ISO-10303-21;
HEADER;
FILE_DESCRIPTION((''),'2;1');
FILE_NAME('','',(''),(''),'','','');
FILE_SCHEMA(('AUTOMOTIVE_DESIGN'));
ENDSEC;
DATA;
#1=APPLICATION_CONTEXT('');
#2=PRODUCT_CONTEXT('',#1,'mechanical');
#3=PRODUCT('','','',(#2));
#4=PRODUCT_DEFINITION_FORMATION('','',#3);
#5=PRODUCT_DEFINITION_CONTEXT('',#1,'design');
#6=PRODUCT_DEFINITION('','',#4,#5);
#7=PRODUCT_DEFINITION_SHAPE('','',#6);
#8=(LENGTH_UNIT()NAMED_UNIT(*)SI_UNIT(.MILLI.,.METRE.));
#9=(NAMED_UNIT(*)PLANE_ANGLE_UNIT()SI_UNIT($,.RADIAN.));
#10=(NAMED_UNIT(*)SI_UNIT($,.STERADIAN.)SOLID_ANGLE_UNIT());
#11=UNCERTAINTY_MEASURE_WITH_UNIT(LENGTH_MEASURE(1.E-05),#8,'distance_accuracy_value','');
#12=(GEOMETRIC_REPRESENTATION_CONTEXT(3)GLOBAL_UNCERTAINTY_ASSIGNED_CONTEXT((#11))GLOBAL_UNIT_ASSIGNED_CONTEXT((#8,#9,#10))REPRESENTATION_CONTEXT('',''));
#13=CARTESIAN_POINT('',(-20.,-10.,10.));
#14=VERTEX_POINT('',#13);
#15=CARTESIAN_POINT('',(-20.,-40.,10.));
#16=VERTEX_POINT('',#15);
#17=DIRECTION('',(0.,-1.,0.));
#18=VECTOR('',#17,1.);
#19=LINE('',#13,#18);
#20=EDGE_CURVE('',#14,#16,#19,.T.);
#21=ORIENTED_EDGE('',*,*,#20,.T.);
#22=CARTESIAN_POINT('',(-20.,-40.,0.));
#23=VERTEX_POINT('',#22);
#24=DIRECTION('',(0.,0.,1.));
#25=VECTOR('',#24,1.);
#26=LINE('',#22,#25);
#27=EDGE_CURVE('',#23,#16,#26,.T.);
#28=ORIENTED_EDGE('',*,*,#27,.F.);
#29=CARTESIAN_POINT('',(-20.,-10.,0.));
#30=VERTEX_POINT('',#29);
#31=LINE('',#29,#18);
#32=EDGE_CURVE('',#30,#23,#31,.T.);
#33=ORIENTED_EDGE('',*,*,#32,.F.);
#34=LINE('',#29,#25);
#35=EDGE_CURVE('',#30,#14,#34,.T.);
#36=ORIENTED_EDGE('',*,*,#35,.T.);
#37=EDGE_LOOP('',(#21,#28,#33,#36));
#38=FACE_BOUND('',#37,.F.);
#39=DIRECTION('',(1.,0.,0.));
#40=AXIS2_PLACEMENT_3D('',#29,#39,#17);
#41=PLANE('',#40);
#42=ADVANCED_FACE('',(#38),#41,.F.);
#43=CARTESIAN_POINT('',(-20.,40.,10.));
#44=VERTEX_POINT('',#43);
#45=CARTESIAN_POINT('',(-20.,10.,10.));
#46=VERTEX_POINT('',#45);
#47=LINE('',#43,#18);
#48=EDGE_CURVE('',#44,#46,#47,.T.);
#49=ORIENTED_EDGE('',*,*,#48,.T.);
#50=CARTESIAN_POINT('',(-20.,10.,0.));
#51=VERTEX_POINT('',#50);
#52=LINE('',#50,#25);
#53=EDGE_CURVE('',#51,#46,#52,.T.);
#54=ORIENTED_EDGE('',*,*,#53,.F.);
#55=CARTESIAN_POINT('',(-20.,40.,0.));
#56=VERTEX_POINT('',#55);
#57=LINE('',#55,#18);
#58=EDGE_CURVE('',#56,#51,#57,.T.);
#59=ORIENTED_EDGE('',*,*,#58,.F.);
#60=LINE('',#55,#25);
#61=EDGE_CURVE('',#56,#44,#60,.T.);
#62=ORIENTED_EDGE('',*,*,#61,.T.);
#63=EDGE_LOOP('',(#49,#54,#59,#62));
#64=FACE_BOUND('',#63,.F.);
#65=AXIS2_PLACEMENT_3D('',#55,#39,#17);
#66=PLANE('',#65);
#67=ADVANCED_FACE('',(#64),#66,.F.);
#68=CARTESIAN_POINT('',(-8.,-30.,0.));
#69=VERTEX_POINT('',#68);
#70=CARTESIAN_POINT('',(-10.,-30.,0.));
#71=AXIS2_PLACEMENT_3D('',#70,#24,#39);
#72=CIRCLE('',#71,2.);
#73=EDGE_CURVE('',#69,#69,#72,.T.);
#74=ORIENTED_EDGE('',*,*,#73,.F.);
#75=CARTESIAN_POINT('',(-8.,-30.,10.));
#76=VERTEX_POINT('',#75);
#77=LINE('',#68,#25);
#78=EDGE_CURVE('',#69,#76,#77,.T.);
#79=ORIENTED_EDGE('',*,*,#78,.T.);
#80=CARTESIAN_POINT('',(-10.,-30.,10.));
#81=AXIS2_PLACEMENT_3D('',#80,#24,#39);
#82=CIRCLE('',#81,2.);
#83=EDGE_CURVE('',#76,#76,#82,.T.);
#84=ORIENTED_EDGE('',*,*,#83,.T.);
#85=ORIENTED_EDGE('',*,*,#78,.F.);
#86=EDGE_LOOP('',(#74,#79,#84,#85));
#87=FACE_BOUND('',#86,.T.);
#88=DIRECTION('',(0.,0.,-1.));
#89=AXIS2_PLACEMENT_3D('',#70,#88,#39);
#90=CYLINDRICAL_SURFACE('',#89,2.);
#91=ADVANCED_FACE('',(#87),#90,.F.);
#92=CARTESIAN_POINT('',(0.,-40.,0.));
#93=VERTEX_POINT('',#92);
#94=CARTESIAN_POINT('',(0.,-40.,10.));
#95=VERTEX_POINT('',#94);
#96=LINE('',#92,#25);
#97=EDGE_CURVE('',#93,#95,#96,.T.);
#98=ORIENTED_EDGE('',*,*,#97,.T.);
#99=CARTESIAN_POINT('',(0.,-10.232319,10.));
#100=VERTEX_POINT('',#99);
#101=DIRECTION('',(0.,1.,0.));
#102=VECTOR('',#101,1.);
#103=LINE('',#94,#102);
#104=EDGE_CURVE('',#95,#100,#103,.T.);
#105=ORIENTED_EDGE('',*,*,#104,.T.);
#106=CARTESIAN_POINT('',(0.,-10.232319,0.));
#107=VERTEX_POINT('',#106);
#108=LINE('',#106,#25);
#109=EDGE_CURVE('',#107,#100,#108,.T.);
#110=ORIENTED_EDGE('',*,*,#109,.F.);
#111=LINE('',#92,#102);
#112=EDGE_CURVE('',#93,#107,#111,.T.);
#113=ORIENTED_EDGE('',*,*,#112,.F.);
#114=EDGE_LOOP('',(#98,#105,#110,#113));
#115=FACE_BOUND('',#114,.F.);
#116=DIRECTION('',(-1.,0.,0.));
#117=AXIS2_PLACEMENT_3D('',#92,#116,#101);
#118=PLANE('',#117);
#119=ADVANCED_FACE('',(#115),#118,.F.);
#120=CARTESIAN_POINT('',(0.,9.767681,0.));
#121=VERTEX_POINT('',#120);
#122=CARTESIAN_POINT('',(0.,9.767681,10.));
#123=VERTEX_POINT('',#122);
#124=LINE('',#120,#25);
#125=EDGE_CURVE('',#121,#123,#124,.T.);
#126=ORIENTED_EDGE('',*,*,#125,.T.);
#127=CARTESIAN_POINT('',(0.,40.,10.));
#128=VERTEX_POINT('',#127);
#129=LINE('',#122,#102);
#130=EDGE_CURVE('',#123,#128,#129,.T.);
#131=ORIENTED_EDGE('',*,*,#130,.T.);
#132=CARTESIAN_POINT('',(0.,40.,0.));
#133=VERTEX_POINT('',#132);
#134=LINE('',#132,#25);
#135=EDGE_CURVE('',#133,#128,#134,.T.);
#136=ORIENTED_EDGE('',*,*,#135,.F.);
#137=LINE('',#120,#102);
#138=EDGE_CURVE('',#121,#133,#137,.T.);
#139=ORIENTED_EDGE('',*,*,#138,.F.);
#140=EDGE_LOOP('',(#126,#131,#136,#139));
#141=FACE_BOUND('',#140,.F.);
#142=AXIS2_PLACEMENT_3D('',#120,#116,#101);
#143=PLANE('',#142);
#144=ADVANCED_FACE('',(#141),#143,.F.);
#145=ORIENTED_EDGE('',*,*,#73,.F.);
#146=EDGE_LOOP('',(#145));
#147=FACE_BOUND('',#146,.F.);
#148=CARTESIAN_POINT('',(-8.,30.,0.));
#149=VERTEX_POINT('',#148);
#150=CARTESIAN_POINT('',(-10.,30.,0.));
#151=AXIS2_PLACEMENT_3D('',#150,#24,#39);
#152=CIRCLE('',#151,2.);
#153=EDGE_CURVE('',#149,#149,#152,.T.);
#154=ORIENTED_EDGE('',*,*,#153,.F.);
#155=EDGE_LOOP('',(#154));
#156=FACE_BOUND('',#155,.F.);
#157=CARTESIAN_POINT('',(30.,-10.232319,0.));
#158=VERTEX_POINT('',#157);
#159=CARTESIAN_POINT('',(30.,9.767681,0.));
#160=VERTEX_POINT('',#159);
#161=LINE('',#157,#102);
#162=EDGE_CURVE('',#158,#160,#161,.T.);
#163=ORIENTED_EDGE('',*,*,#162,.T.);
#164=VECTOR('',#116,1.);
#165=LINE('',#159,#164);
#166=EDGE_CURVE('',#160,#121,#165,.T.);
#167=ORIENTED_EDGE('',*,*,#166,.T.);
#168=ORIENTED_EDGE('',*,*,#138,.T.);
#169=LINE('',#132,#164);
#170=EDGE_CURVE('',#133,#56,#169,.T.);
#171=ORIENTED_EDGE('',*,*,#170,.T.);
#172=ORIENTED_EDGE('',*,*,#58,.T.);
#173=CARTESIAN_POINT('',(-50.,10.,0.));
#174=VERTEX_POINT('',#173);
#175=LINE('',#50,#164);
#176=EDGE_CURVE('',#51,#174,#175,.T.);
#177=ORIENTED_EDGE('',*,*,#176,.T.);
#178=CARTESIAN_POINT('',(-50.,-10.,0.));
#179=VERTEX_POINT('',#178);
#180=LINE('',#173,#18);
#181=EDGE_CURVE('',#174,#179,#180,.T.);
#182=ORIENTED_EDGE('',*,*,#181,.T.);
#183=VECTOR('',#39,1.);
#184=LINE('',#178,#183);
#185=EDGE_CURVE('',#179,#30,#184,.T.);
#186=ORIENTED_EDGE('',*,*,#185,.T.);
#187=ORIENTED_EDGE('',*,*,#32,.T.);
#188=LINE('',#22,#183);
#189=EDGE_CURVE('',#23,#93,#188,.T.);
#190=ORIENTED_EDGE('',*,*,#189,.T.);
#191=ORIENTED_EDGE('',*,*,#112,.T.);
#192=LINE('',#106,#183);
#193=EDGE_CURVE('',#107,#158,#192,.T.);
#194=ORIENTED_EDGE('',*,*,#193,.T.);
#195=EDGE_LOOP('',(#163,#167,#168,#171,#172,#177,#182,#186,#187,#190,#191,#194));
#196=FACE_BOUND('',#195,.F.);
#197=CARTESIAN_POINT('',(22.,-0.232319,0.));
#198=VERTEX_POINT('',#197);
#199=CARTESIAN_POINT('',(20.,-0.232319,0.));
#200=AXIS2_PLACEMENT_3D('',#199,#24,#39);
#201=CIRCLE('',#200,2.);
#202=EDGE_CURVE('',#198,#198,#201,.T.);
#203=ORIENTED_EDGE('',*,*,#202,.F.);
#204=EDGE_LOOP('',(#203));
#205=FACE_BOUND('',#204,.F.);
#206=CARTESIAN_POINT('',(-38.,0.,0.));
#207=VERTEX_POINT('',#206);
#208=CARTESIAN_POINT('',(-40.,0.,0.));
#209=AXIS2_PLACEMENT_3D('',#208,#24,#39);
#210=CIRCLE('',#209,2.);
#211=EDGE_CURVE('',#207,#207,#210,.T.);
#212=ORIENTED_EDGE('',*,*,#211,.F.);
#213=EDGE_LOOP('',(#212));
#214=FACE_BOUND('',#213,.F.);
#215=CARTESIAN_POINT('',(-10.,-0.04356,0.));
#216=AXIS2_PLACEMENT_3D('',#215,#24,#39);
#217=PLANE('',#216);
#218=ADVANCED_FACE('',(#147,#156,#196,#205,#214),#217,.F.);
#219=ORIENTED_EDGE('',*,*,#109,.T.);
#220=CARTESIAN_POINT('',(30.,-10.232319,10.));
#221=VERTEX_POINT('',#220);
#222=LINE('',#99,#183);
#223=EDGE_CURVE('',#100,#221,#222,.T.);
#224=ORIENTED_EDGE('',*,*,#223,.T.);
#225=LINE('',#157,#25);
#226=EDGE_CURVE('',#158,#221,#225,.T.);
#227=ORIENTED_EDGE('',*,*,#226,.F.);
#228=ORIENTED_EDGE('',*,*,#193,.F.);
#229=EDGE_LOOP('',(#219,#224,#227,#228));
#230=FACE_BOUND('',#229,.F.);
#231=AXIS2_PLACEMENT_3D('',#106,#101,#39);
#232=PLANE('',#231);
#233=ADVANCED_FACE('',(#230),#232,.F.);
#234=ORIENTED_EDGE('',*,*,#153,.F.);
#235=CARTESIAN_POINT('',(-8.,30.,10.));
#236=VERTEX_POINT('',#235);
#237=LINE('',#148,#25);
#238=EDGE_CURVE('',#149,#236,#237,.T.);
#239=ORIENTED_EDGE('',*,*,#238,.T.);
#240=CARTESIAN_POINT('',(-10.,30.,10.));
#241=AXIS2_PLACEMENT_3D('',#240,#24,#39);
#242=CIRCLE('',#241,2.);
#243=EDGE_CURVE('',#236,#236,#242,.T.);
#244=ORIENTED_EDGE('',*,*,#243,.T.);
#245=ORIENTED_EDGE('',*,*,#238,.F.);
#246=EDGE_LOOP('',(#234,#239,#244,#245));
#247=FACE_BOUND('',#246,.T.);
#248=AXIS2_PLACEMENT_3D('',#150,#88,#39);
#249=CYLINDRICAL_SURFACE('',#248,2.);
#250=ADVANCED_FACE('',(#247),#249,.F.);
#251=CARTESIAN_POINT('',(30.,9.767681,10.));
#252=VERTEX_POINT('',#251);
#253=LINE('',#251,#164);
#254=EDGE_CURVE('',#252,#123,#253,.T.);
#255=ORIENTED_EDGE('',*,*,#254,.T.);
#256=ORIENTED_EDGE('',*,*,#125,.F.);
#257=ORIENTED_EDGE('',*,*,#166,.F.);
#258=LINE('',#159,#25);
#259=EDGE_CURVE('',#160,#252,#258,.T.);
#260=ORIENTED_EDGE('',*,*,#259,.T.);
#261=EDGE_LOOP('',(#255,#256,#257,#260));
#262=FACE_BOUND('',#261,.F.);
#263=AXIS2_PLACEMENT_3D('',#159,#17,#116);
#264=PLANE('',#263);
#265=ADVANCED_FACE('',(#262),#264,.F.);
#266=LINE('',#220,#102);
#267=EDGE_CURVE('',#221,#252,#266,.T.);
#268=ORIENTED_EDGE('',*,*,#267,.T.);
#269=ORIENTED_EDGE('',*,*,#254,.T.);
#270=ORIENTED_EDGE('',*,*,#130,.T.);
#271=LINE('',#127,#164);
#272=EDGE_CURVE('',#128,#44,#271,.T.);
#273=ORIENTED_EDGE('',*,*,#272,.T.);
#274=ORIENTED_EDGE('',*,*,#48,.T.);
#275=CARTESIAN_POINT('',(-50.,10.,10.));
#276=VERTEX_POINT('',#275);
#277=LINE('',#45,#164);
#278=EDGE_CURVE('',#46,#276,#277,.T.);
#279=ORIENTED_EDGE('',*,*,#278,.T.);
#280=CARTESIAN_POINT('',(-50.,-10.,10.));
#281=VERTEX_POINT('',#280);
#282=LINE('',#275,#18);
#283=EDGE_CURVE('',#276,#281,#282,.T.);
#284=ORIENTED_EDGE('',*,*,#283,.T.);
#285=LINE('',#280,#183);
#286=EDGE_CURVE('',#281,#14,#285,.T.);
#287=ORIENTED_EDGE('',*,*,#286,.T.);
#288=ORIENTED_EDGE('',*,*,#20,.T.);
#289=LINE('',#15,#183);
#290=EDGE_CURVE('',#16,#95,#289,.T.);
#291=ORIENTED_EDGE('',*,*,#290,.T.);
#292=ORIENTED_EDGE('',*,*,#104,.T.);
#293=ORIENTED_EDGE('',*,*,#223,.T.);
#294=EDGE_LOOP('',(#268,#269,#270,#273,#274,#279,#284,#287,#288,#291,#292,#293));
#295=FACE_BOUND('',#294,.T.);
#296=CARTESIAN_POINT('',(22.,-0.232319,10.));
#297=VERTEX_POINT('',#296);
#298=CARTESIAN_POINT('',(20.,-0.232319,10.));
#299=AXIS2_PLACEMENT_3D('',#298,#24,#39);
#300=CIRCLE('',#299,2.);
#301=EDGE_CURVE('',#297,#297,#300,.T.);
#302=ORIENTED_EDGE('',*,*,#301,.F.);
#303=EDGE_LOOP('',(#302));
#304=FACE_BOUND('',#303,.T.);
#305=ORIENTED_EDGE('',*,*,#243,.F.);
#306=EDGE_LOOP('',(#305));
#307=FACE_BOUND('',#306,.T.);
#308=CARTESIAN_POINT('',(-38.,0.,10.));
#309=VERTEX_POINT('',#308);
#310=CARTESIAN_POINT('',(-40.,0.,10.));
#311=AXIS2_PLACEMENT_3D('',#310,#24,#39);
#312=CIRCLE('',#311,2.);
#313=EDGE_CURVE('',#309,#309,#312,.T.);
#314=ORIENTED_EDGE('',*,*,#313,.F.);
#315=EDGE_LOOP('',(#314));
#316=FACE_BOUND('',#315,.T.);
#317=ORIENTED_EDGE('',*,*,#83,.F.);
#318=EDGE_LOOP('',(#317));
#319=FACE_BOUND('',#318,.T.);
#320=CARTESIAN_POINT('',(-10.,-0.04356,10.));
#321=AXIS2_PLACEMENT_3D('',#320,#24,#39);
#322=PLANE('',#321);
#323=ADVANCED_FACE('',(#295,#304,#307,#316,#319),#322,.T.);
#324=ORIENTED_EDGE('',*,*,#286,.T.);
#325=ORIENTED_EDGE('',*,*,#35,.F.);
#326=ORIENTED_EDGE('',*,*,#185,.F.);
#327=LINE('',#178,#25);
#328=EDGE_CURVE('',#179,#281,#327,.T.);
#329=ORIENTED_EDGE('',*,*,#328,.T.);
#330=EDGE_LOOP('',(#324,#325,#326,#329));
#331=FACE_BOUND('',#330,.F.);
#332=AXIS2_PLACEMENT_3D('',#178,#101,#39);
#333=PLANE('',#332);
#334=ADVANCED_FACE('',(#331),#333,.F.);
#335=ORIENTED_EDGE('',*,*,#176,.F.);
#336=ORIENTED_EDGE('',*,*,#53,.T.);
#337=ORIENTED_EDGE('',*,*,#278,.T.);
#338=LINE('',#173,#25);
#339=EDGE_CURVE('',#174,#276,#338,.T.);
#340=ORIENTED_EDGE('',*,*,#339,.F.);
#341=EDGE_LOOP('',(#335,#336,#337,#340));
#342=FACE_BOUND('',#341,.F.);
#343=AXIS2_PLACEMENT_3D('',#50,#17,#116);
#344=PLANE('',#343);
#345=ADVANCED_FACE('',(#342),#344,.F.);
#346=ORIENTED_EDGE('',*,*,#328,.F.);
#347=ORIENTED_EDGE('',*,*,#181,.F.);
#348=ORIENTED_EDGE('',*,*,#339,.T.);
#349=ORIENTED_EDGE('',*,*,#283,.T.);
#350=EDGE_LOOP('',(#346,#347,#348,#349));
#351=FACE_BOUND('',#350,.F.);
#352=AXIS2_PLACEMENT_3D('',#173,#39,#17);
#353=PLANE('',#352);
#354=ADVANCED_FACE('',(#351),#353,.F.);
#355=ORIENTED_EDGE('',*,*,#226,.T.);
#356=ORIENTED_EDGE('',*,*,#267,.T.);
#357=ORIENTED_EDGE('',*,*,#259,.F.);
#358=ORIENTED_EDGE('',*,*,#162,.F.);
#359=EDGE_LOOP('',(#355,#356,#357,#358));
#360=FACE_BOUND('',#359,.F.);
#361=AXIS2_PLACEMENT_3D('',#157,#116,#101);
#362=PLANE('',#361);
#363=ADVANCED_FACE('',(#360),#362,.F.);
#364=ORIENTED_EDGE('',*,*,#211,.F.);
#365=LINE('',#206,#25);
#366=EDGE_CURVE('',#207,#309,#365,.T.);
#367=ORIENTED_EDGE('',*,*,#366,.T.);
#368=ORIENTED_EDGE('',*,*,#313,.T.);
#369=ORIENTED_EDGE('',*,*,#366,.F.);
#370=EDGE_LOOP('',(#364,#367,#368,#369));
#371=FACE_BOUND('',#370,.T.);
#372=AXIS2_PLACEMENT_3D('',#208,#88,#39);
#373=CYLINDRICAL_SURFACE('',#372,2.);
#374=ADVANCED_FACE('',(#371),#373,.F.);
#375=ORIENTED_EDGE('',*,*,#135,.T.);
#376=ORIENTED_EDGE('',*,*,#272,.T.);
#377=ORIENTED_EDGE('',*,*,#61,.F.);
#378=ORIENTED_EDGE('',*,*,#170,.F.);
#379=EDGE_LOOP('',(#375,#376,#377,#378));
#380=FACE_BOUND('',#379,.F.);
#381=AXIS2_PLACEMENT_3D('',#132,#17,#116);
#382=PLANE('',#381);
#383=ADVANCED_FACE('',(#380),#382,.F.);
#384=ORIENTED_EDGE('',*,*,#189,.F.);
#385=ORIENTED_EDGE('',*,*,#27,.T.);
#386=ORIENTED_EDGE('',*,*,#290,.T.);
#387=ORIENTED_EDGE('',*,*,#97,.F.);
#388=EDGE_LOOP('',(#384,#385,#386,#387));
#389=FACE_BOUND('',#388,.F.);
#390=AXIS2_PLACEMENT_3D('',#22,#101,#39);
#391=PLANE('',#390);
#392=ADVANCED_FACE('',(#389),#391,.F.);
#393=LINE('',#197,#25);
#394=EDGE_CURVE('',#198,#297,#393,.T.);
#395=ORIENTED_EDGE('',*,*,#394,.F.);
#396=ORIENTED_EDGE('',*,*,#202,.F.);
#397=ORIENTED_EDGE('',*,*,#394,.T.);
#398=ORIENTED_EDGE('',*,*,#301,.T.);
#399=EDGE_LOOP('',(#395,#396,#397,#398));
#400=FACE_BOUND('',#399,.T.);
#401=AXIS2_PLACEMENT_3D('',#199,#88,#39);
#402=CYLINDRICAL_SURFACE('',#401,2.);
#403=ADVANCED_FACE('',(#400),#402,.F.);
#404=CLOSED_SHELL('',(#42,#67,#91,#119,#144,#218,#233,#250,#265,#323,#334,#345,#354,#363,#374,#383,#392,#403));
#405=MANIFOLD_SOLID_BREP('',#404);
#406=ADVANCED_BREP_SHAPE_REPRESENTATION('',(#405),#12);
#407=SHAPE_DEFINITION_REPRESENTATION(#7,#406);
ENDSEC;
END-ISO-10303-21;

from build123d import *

# Parameters (mm, degrees)
SKETCH_R  = 2
PAD_DEPTH = 10


with BuildPart() as part:
    # Sketch → Pad (new body)
    with BuildSketch(Plane.XY):
        Polygon((-20, 40), (-20, 10), (-50, 10), (-50, -10), (-20, -10), (-20, -40), (0, -40), (0, -10.232319), (30, -10.232319), (30, 9.767681), (0, 9.767681), (0, 40), align=None)
        with Locations((-10, 30)):
            Circle(SKETCH_R, mode=Mode.SUBTRACT)
        with Locations((-40, 0)):
            Circle(SKETCH_R, mode=Mode.SUBTRACT)
        with Locations((-10, -30)):
            Circle(SKETCH_R, mode=Mode.SUBTRACT)
        with Locations((20, -0.232319)):
            Circle(SKETCH_R, mode=Mode.SUBTRACT)
    extrude(amount=PAD_DEPTH)


solid = part.part
